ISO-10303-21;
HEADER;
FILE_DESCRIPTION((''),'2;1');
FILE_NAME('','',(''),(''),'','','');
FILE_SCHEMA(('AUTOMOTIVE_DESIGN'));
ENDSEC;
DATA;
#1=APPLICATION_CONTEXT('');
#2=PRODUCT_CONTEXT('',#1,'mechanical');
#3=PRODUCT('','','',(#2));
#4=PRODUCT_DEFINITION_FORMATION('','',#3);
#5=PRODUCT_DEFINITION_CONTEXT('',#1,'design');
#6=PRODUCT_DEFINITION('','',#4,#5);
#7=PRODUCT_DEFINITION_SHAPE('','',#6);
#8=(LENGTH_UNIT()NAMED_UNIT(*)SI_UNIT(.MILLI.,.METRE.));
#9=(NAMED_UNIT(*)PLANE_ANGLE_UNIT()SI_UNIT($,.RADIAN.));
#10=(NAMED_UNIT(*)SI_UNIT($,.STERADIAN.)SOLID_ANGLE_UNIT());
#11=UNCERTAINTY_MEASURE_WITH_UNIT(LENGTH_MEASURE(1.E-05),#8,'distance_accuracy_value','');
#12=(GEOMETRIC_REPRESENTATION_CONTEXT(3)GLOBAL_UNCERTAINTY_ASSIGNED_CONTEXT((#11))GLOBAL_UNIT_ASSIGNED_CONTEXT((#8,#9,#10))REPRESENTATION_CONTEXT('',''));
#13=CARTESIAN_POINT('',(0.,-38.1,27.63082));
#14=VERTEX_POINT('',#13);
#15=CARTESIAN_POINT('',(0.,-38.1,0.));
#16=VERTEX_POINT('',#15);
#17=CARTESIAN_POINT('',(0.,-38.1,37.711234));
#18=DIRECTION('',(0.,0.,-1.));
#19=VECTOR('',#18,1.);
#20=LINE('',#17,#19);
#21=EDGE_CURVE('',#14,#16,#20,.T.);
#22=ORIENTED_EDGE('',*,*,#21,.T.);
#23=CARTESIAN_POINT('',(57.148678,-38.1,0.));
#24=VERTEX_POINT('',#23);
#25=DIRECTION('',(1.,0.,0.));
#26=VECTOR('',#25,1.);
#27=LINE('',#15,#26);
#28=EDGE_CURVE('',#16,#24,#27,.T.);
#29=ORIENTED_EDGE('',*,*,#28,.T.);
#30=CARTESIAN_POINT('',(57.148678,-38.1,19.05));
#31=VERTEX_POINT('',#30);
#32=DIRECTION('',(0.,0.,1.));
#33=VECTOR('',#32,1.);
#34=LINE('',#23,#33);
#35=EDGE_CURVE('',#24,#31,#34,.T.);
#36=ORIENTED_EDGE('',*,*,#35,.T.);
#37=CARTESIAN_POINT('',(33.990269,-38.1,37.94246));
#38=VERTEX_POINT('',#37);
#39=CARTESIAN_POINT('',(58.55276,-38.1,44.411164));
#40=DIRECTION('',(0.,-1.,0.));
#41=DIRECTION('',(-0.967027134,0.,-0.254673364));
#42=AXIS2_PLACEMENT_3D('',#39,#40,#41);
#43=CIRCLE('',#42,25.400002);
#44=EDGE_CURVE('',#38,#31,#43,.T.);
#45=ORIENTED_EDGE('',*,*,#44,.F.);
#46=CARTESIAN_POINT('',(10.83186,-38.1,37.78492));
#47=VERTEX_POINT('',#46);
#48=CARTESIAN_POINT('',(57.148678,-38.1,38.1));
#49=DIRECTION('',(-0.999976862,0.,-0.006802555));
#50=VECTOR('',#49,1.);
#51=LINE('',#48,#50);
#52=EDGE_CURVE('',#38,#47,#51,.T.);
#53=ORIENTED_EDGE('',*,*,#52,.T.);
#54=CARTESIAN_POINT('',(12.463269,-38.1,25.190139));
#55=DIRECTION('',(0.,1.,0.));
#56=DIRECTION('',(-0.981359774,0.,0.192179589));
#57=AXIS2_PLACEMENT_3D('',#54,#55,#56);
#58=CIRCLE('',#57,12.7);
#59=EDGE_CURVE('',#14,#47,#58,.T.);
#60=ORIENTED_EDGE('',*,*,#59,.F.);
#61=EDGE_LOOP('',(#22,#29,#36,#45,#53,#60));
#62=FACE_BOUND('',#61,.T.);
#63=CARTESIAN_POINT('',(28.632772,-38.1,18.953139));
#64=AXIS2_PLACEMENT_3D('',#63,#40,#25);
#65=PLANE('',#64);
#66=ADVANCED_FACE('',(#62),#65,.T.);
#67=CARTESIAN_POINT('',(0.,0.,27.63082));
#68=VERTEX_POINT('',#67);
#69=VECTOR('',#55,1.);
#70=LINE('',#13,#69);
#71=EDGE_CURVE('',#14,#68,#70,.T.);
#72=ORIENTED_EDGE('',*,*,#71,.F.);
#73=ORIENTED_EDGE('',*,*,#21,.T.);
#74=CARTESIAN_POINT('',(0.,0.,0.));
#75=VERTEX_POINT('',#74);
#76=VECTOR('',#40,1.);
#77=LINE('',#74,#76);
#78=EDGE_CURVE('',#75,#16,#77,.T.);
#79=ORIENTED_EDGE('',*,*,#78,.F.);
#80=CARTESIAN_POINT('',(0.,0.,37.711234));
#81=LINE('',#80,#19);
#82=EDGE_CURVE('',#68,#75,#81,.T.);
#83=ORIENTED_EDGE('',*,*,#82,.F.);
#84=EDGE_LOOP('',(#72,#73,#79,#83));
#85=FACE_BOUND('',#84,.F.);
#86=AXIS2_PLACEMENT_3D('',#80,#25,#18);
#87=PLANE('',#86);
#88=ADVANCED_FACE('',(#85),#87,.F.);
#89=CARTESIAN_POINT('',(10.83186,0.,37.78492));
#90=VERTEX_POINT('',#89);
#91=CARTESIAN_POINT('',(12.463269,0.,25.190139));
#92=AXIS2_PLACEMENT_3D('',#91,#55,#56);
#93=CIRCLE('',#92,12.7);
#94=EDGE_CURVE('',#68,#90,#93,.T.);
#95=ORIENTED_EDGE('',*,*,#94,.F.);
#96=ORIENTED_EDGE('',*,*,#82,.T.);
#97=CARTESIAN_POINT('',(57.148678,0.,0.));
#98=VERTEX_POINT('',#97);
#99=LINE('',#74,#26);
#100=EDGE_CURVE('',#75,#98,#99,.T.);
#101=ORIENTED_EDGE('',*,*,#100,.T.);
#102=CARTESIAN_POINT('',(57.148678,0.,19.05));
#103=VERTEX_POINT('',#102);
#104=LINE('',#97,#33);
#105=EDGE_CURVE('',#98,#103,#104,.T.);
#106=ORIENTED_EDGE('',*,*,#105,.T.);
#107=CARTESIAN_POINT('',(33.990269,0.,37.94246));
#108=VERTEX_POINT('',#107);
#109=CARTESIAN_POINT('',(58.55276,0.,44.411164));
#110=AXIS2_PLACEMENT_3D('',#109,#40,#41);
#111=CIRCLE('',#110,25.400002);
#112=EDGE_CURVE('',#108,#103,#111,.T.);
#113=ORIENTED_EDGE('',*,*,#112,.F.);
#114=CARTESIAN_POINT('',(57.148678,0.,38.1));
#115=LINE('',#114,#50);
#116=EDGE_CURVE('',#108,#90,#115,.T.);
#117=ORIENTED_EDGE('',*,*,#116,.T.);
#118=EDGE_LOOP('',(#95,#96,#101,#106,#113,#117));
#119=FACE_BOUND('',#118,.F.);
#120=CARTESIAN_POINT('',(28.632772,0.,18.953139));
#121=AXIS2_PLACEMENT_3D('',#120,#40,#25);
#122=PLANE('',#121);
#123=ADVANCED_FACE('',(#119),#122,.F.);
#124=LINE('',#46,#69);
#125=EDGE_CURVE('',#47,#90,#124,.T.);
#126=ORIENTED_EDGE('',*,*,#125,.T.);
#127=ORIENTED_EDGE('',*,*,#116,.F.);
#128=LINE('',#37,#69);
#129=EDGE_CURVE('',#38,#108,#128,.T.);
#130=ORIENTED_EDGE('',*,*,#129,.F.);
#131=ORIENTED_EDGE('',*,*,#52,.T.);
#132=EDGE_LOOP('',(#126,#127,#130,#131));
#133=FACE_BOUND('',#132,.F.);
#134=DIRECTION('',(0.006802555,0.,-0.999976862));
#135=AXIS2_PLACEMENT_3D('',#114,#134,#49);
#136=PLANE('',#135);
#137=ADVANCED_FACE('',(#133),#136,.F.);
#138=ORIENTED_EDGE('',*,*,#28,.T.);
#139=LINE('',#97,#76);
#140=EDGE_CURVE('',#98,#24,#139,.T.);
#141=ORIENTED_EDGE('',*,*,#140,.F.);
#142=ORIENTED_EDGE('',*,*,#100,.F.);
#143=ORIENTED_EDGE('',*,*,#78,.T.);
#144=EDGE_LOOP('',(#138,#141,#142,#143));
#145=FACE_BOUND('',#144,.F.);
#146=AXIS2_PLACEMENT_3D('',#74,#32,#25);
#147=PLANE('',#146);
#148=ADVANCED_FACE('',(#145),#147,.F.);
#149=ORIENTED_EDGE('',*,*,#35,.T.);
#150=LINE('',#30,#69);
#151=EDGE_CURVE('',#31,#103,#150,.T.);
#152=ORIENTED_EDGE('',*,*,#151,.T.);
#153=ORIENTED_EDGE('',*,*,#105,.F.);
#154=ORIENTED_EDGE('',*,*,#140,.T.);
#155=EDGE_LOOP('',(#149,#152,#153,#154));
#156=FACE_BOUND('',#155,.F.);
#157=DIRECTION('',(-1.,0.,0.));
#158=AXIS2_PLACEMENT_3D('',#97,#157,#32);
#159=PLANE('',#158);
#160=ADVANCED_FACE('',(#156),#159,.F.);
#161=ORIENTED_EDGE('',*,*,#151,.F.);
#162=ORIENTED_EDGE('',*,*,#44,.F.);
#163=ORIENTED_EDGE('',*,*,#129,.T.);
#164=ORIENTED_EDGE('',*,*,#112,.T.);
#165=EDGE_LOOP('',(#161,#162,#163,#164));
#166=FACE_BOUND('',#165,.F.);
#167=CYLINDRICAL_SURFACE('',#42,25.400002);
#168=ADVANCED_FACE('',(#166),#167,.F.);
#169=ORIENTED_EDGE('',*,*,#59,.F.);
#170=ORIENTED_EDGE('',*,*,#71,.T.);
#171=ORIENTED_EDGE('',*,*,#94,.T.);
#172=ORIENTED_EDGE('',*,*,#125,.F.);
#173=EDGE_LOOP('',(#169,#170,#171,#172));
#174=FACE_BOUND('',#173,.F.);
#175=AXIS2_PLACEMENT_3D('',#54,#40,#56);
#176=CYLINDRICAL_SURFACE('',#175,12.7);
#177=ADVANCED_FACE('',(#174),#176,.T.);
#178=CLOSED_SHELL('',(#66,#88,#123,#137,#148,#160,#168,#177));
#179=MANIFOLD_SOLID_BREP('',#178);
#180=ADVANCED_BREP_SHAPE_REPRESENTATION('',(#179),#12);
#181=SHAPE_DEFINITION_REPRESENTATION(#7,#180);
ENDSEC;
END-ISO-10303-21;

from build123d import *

# Parameters (mm, degrees)
F1_DEPTH = 38.1
F3_DEPTH = 38.1
F5_DEPTH = 38.1


with BuildPart() as f1:
    # F0 (on Front) → F1 (new body)
    with BuildSketch(Plane.XZ):
        Polygon((57.148678, 38.1), (0, 37.711234), (0, 0), (57.148678, 0), align=None)
    extrude(amount=F1_DEPTH)

    # F2 (on face) → F3 (cut)
    with BuildSketch(Plane.XZ.offset(38.1)):
        with BuildLine():
            ThreePointArc((0, 27.63082), (3.777567, 34.45559), (10.83186, 37.78492))
            Line((10.83186, 37.78492), (0, 37.711234))
            Line((0, 37.711234), (0, 27.63082))
        make_face()
    extrude(amount=-F3_DEPTH, mode=Mode.SUBTRACT)

    # F4 (on face) → F5 (cut)
    with BuildSketch(Plane.XZ.offset(38.1)):
        with BuildLine():
            Line((57.148678, 38.1), (33.990269, 37.94246))
            ThreePointArc((33.990269, 37.94246), (42.496702, 24.729622), (57.148678, 19.05))
            Line((57.148678, 19.05), (57.148678, 38.1))
        make_face()
    extrude(amount=-F5_DEPTH, mode=Mode.SUBTRACT)


solid = f1.part
